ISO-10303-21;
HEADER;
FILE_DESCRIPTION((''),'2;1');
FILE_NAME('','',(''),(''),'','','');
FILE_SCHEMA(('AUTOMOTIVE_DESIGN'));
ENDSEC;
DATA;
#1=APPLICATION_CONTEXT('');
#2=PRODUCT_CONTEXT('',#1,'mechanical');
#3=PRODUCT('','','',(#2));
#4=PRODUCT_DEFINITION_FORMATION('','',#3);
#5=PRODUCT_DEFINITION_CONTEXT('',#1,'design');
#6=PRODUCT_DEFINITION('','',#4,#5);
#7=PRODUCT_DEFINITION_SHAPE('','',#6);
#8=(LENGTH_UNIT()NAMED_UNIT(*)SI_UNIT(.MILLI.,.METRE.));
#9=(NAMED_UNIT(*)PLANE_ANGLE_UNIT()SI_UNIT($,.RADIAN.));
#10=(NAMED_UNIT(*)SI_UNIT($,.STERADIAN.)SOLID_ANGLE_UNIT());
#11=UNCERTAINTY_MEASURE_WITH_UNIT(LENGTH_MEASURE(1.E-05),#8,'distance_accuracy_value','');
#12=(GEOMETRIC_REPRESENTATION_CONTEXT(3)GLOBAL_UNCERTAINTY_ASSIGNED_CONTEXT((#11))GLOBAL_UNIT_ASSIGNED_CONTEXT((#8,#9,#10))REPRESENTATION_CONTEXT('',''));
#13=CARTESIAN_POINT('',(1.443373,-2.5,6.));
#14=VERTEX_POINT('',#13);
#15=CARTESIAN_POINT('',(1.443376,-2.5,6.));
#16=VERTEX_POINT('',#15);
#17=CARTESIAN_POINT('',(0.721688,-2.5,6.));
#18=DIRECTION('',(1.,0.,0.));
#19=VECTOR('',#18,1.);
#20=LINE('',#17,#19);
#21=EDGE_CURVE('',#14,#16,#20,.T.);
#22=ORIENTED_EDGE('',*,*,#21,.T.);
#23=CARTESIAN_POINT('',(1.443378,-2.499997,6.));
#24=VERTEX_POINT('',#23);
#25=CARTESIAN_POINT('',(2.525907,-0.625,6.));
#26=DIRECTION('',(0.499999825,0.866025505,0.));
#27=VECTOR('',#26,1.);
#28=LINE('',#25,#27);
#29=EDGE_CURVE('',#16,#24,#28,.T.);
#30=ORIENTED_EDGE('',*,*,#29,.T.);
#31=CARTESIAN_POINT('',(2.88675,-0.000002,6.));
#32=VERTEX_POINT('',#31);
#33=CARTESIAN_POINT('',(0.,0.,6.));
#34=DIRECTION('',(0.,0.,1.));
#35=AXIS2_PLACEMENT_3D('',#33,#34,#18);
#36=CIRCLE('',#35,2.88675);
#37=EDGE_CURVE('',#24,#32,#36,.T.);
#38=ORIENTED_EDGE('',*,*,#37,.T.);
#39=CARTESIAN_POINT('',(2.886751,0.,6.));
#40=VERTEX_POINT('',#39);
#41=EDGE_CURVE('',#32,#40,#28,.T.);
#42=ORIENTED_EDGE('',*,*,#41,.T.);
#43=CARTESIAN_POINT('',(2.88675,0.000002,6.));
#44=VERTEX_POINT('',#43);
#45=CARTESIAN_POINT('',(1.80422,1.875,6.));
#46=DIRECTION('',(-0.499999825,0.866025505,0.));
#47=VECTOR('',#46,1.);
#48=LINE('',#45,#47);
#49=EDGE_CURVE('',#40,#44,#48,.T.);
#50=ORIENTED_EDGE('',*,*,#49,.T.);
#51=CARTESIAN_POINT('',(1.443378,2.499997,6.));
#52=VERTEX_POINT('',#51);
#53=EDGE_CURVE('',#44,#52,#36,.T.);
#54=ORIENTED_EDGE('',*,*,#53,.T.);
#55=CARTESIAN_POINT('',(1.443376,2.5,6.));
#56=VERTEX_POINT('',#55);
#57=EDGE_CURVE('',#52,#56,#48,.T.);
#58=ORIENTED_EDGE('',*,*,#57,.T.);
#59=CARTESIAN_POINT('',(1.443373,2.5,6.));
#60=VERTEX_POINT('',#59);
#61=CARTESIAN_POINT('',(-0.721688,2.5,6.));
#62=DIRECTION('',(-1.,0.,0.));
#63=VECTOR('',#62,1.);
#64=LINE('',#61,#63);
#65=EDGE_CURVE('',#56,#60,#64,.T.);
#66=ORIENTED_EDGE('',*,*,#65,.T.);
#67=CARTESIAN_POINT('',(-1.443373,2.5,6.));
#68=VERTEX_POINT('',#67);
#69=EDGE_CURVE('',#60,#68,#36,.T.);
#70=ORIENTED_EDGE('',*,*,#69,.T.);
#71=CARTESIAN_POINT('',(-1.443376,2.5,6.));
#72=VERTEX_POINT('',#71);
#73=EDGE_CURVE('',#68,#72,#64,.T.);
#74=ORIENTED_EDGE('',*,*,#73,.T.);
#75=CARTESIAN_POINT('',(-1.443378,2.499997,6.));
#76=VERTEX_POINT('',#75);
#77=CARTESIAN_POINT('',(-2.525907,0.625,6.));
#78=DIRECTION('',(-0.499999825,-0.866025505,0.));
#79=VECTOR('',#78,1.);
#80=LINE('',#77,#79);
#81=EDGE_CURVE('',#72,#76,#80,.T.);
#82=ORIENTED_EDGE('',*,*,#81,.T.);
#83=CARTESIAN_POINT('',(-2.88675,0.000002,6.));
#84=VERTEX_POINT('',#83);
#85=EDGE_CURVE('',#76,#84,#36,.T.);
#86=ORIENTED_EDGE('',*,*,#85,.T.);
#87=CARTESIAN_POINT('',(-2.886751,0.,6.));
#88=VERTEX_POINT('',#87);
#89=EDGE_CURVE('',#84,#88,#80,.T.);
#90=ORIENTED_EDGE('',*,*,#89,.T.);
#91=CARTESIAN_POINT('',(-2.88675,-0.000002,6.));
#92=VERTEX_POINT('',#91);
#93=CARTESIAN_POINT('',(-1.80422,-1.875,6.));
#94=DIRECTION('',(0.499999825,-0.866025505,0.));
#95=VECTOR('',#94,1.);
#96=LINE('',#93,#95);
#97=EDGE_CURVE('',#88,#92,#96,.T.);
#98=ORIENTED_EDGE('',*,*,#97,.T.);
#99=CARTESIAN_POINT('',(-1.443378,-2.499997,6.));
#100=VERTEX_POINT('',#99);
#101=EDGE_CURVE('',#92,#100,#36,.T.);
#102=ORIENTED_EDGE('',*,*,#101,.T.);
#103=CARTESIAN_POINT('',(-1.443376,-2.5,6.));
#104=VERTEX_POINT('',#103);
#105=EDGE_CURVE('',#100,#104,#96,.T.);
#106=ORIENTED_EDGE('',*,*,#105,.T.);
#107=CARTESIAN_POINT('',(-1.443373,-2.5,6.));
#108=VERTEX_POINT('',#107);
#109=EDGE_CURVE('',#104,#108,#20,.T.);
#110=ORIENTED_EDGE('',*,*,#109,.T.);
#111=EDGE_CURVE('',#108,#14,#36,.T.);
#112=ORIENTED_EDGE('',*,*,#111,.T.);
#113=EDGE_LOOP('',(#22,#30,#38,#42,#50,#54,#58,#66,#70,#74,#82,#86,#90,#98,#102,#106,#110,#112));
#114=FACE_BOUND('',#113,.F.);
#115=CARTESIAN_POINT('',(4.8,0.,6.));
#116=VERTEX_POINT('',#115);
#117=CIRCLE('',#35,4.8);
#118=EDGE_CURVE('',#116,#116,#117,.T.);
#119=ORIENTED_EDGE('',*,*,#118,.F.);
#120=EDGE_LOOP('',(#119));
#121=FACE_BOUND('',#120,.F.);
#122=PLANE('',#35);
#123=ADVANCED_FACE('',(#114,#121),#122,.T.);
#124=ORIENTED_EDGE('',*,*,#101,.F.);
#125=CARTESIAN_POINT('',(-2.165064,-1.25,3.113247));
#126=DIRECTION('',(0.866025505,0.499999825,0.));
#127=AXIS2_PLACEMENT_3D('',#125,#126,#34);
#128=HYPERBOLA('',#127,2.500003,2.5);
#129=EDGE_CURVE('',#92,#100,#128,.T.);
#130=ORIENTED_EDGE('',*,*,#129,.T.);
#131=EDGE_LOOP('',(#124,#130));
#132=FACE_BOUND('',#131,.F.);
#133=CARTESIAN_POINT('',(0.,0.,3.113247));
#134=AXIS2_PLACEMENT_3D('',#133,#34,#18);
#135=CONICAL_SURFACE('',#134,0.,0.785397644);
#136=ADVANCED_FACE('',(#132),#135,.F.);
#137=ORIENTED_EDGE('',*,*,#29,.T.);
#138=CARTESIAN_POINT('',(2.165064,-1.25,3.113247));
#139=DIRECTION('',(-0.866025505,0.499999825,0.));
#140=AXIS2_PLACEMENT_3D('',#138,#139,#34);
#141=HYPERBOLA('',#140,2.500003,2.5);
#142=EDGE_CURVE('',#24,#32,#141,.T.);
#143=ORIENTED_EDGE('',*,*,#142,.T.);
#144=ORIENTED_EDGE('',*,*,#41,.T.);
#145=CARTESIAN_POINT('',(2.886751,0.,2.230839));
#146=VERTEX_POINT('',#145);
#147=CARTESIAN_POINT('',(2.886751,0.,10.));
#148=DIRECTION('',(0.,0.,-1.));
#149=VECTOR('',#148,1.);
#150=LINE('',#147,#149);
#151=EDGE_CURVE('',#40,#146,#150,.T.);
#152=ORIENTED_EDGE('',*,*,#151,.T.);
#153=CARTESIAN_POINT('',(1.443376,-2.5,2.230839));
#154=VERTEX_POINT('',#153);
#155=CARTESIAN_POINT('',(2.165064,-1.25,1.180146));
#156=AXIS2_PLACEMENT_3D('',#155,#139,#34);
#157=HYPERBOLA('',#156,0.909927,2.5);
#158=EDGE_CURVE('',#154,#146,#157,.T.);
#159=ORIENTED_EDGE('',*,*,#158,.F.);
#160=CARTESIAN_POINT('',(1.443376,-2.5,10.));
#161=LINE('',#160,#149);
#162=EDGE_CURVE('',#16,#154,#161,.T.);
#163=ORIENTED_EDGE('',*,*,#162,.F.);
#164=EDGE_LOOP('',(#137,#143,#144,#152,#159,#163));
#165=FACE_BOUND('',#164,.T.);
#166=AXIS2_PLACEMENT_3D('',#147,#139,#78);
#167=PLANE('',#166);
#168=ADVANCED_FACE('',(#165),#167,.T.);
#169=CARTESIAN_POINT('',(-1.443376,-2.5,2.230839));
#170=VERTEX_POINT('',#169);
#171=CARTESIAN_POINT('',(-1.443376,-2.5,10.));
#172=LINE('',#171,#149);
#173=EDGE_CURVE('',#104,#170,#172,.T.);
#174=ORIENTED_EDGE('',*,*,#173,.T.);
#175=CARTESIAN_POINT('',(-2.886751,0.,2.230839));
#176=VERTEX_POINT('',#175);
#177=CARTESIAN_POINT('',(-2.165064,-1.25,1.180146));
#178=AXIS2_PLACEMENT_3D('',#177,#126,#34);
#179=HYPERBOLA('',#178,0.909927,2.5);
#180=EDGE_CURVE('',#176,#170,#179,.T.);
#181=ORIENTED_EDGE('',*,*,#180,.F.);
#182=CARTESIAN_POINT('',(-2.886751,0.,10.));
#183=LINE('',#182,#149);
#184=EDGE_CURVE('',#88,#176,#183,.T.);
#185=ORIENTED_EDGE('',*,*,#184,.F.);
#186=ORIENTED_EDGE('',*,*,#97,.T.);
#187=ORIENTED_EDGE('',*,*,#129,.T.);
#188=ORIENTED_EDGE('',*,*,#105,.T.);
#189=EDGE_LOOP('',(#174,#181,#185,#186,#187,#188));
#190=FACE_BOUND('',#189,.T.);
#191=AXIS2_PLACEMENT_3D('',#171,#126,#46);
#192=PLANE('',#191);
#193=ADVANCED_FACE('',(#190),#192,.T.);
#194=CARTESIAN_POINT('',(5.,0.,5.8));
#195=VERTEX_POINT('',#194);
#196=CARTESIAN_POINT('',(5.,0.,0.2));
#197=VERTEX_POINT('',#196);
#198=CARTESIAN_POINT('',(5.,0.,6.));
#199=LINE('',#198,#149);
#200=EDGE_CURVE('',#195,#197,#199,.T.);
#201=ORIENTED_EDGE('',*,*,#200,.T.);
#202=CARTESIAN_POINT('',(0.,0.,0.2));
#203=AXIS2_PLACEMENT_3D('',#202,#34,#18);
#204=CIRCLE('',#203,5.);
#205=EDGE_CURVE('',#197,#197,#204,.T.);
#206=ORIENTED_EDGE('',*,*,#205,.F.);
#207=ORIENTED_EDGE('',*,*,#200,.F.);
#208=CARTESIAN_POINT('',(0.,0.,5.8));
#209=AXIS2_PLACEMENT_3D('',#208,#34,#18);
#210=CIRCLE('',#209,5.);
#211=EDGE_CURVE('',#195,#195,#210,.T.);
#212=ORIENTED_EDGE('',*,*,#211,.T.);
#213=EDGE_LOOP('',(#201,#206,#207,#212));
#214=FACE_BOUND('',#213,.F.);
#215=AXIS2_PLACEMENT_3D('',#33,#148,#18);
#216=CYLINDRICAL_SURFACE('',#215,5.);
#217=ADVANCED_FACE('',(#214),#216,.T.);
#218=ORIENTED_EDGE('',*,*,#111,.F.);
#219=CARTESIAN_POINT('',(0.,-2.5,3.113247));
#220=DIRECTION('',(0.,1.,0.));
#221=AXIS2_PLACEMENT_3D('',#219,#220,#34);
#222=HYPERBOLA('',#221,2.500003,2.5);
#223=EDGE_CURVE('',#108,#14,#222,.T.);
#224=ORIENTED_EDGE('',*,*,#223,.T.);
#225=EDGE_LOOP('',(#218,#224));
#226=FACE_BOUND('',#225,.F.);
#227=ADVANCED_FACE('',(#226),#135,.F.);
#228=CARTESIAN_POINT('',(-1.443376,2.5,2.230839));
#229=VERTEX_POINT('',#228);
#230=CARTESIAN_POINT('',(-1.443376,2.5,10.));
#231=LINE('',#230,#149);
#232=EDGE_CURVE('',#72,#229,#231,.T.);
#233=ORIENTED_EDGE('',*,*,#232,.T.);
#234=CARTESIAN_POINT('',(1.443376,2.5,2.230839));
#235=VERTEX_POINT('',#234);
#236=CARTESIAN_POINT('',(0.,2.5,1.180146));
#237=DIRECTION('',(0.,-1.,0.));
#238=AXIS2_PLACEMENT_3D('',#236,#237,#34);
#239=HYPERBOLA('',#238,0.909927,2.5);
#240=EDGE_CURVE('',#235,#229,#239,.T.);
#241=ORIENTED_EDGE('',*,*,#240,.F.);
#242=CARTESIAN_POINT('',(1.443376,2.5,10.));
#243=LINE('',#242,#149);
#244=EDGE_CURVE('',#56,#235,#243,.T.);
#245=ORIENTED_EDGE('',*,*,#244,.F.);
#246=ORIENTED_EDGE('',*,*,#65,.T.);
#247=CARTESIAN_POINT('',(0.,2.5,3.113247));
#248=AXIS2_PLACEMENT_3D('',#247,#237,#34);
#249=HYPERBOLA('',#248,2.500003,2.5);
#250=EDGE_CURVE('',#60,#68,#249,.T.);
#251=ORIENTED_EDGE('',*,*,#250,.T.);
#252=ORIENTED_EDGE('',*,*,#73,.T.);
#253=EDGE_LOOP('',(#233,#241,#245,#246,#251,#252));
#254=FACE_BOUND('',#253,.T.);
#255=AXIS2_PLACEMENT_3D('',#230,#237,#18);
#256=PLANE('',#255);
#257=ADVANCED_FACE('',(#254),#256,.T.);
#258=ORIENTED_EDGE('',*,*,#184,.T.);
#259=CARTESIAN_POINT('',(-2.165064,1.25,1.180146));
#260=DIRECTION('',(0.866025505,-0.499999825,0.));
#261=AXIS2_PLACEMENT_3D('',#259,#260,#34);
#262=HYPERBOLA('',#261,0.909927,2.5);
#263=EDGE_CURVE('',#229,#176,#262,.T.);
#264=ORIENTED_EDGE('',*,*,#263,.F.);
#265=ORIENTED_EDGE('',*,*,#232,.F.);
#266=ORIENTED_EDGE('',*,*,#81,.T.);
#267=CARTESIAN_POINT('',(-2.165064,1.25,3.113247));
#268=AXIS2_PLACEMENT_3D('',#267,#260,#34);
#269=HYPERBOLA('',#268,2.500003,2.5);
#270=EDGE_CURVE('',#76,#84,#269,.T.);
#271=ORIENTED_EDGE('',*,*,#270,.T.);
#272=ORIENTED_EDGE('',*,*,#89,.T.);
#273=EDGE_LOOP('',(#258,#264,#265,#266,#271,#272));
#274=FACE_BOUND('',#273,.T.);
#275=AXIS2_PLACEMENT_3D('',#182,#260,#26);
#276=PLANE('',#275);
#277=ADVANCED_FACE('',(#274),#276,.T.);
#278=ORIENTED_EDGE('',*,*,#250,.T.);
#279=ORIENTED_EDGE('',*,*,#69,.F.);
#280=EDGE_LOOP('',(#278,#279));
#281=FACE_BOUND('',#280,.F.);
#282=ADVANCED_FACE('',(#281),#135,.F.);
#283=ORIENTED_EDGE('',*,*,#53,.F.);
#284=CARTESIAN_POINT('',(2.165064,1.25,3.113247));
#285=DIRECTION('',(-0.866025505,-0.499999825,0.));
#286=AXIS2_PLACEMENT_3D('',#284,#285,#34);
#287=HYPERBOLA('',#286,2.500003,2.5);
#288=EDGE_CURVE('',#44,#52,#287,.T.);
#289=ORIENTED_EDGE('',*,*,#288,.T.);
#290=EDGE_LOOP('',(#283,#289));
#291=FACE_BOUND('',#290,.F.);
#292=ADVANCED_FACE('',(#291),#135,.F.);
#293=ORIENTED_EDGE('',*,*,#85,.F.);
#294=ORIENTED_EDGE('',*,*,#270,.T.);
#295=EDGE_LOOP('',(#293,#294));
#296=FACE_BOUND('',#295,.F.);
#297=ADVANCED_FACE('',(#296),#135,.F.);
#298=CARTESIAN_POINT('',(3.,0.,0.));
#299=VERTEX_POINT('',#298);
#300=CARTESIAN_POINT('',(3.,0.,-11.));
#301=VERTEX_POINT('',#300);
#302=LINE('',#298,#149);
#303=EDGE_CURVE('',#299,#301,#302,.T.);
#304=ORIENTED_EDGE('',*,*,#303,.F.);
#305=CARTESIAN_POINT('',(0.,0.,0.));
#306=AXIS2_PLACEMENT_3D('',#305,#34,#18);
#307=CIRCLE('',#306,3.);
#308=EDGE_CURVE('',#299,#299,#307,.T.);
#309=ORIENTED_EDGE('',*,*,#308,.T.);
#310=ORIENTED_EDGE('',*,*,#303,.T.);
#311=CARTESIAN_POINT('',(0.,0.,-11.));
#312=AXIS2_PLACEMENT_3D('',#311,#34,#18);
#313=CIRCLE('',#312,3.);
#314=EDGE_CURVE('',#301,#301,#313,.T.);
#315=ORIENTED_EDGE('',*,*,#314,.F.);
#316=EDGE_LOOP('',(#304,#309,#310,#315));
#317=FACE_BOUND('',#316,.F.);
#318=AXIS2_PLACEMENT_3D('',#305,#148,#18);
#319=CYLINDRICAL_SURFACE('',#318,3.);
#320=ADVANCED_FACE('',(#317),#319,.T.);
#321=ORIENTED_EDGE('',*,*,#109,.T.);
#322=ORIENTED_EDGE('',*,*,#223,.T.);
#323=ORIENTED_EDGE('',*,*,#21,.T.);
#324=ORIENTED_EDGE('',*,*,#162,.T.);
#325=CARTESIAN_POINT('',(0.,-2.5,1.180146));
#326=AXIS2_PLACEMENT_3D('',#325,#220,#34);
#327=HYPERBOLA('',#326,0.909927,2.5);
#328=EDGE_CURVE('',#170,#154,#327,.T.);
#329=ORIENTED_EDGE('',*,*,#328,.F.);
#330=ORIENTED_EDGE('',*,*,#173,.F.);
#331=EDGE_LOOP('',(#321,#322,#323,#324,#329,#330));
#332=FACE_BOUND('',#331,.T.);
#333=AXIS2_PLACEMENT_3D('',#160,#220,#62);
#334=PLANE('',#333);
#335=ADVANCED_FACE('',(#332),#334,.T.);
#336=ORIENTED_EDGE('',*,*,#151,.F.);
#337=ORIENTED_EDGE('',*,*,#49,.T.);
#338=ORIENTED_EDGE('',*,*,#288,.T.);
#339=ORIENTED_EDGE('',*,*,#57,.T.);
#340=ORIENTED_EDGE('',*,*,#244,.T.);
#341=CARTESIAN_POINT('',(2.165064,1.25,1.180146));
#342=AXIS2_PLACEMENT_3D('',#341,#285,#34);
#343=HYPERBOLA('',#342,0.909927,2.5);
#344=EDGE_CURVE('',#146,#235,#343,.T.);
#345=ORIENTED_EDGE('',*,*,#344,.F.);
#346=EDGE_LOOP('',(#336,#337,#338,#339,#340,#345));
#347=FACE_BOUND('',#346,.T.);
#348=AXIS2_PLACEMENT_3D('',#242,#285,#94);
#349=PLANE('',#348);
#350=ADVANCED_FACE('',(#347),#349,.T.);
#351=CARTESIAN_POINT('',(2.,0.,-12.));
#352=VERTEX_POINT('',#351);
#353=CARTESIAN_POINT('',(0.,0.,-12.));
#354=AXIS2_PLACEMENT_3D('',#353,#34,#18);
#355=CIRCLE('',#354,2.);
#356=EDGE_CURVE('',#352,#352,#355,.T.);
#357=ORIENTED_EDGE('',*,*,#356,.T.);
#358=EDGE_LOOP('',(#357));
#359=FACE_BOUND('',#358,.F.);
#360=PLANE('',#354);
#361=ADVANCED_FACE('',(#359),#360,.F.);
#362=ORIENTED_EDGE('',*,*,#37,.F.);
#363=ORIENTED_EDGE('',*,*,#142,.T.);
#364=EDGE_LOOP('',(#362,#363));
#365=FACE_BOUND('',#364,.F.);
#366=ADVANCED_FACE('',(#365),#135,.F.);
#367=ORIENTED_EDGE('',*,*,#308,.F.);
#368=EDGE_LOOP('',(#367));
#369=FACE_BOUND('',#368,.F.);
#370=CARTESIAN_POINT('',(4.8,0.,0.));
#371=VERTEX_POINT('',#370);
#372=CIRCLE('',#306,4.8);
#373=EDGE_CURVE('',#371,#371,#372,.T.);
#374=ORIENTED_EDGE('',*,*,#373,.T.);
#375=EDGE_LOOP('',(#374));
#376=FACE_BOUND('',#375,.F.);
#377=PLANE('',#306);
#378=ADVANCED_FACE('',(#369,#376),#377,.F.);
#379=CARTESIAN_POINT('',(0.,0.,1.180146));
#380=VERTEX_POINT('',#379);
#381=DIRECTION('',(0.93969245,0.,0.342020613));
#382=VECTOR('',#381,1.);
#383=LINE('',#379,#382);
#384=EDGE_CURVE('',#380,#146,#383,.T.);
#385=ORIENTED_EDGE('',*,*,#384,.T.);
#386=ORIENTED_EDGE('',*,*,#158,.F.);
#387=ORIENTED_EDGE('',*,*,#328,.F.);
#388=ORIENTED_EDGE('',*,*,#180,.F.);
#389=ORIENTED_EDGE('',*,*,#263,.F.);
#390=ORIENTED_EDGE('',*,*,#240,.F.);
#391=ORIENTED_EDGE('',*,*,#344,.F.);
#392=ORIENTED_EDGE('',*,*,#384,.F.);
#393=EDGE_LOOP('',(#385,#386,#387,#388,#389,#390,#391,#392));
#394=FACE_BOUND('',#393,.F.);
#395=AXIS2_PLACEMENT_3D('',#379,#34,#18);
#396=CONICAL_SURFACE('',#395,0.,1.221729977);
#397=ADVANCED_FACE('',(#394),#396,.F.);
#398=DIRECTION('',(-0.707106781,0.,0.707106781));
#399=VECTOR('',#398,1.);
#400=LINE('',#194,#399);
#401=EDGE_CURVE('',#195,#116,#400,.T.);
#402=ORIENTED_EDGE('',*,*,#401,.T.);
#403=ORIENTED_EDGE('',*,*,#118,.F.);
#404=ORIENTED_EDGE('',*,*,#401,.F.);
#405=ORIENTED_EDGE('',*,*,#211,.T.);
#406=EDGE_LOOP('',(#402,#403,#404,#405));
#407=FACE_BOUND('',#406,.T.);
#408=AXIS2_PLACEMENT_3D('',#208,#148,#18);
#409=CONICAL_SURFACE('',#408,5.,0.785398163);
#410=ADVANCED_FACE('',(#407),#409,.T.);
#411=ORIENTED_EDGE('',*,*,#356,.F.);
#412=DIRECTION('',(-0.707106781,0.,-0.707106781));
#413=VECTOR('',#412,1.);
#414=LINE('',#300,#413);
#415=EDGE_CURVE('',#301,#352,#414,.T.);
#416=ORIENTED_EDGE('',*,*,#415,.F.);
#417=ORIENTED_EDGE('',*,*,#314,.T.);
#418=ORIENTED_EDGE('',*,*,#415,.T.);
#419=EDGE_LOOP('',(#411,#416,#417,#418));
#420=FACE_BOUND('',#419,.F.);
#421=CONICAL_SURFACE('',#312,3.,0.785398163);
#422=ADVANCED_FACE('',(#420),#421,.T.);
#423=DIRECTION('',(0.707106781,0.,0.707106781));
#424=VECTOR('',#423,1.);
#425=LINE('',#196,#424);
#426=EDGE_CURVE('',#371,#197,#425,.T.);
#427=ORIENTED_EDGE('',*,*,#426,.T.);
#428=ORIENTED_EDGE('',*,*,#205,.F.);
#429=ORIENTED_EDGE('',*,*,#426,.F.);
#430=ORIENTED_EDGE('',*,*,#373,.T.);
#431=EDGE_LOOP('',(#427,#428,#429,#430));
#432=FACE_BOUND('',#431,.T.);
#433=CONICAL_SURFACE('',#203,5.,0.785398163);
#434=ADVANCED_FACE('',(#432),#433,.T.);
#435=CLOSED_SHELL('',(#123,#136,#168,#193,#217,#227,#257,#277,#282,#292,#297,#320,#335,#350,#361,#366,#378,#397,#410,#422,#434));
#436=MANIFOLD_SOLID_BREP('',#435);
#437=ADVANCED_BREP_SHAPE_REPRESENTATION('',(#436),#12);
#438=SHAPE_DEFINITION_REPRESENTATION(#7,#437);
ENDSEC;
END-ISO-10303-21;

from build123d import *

# Parameters (mm, degrees)
SKETCH001_R     = 6
POCKET_DEPTH    = 8.820854
CHAMFER_SIZE    = 1
CHAMFER001_SIZE = 0.2


with BuildPart() as pocket:
    # Sketch003 → Revolution001 (revolve)
    with BuildSketch(Plane.XZ):
        Polygon((0, 1.180146), (5, 3), (5, 10), (0, 10), align=None)
    revolve(axis=Axis((0, 0, 0), (0, 0, 1)))

    # Sketch001 → Pocket (cut, through all)
    with BuildSketch(Plane(origin=(0, 0, 10), x_dir=(-1, 0, 0), z_dir=(0, 0, 1))):
        Circle(SKETCH001_R)
        Polygon((-1.443376, 2.5), (1.443376, 2.5), (2.886751, 0), (1.443376, -2.5), (-1.443376, -2.5), (-2.886751, 0), align=None, mode=Mode.SUBTRACT)
    extrude(amount=-POCKET_DEPTH, mode=Mode.SUBTRACT)


with BuildPart() as chamfer001:
    # Sketch → Revolution (revolve)
    with BuildSketch(Plane.XZ):
        Polygon((2.88675, 6), (5, 6), (5, 0), (3, 0), (3, -12), (0, -12), (0, 3.113247), align=None)
    revolve(axis=Axis((0, 0, 0), (0, 0, 1)))

    # Cut: cut Pocket
    add(pocket.part, mode=Mode.SUBTRACT)

    # Chamfer
    chamfer_edges = [chamfer001.edges().sort_by_distance(p)[0] for p in [
        (-3, 0, -12),
    ]]
    chamfer(chamfer_edges, length=CHAMFER_SIZE)

    # Chamfer001
    chamfer001_edges = [chamfer001.edges().sort_by_distance(p)[0] for p in [
        (-5, 0, 6),
        (-5, 0, 0),
    ]]
    chamfer(chamfer001_edges, length=CHAMFER001_SIZE)


solid = chamfer001.part
